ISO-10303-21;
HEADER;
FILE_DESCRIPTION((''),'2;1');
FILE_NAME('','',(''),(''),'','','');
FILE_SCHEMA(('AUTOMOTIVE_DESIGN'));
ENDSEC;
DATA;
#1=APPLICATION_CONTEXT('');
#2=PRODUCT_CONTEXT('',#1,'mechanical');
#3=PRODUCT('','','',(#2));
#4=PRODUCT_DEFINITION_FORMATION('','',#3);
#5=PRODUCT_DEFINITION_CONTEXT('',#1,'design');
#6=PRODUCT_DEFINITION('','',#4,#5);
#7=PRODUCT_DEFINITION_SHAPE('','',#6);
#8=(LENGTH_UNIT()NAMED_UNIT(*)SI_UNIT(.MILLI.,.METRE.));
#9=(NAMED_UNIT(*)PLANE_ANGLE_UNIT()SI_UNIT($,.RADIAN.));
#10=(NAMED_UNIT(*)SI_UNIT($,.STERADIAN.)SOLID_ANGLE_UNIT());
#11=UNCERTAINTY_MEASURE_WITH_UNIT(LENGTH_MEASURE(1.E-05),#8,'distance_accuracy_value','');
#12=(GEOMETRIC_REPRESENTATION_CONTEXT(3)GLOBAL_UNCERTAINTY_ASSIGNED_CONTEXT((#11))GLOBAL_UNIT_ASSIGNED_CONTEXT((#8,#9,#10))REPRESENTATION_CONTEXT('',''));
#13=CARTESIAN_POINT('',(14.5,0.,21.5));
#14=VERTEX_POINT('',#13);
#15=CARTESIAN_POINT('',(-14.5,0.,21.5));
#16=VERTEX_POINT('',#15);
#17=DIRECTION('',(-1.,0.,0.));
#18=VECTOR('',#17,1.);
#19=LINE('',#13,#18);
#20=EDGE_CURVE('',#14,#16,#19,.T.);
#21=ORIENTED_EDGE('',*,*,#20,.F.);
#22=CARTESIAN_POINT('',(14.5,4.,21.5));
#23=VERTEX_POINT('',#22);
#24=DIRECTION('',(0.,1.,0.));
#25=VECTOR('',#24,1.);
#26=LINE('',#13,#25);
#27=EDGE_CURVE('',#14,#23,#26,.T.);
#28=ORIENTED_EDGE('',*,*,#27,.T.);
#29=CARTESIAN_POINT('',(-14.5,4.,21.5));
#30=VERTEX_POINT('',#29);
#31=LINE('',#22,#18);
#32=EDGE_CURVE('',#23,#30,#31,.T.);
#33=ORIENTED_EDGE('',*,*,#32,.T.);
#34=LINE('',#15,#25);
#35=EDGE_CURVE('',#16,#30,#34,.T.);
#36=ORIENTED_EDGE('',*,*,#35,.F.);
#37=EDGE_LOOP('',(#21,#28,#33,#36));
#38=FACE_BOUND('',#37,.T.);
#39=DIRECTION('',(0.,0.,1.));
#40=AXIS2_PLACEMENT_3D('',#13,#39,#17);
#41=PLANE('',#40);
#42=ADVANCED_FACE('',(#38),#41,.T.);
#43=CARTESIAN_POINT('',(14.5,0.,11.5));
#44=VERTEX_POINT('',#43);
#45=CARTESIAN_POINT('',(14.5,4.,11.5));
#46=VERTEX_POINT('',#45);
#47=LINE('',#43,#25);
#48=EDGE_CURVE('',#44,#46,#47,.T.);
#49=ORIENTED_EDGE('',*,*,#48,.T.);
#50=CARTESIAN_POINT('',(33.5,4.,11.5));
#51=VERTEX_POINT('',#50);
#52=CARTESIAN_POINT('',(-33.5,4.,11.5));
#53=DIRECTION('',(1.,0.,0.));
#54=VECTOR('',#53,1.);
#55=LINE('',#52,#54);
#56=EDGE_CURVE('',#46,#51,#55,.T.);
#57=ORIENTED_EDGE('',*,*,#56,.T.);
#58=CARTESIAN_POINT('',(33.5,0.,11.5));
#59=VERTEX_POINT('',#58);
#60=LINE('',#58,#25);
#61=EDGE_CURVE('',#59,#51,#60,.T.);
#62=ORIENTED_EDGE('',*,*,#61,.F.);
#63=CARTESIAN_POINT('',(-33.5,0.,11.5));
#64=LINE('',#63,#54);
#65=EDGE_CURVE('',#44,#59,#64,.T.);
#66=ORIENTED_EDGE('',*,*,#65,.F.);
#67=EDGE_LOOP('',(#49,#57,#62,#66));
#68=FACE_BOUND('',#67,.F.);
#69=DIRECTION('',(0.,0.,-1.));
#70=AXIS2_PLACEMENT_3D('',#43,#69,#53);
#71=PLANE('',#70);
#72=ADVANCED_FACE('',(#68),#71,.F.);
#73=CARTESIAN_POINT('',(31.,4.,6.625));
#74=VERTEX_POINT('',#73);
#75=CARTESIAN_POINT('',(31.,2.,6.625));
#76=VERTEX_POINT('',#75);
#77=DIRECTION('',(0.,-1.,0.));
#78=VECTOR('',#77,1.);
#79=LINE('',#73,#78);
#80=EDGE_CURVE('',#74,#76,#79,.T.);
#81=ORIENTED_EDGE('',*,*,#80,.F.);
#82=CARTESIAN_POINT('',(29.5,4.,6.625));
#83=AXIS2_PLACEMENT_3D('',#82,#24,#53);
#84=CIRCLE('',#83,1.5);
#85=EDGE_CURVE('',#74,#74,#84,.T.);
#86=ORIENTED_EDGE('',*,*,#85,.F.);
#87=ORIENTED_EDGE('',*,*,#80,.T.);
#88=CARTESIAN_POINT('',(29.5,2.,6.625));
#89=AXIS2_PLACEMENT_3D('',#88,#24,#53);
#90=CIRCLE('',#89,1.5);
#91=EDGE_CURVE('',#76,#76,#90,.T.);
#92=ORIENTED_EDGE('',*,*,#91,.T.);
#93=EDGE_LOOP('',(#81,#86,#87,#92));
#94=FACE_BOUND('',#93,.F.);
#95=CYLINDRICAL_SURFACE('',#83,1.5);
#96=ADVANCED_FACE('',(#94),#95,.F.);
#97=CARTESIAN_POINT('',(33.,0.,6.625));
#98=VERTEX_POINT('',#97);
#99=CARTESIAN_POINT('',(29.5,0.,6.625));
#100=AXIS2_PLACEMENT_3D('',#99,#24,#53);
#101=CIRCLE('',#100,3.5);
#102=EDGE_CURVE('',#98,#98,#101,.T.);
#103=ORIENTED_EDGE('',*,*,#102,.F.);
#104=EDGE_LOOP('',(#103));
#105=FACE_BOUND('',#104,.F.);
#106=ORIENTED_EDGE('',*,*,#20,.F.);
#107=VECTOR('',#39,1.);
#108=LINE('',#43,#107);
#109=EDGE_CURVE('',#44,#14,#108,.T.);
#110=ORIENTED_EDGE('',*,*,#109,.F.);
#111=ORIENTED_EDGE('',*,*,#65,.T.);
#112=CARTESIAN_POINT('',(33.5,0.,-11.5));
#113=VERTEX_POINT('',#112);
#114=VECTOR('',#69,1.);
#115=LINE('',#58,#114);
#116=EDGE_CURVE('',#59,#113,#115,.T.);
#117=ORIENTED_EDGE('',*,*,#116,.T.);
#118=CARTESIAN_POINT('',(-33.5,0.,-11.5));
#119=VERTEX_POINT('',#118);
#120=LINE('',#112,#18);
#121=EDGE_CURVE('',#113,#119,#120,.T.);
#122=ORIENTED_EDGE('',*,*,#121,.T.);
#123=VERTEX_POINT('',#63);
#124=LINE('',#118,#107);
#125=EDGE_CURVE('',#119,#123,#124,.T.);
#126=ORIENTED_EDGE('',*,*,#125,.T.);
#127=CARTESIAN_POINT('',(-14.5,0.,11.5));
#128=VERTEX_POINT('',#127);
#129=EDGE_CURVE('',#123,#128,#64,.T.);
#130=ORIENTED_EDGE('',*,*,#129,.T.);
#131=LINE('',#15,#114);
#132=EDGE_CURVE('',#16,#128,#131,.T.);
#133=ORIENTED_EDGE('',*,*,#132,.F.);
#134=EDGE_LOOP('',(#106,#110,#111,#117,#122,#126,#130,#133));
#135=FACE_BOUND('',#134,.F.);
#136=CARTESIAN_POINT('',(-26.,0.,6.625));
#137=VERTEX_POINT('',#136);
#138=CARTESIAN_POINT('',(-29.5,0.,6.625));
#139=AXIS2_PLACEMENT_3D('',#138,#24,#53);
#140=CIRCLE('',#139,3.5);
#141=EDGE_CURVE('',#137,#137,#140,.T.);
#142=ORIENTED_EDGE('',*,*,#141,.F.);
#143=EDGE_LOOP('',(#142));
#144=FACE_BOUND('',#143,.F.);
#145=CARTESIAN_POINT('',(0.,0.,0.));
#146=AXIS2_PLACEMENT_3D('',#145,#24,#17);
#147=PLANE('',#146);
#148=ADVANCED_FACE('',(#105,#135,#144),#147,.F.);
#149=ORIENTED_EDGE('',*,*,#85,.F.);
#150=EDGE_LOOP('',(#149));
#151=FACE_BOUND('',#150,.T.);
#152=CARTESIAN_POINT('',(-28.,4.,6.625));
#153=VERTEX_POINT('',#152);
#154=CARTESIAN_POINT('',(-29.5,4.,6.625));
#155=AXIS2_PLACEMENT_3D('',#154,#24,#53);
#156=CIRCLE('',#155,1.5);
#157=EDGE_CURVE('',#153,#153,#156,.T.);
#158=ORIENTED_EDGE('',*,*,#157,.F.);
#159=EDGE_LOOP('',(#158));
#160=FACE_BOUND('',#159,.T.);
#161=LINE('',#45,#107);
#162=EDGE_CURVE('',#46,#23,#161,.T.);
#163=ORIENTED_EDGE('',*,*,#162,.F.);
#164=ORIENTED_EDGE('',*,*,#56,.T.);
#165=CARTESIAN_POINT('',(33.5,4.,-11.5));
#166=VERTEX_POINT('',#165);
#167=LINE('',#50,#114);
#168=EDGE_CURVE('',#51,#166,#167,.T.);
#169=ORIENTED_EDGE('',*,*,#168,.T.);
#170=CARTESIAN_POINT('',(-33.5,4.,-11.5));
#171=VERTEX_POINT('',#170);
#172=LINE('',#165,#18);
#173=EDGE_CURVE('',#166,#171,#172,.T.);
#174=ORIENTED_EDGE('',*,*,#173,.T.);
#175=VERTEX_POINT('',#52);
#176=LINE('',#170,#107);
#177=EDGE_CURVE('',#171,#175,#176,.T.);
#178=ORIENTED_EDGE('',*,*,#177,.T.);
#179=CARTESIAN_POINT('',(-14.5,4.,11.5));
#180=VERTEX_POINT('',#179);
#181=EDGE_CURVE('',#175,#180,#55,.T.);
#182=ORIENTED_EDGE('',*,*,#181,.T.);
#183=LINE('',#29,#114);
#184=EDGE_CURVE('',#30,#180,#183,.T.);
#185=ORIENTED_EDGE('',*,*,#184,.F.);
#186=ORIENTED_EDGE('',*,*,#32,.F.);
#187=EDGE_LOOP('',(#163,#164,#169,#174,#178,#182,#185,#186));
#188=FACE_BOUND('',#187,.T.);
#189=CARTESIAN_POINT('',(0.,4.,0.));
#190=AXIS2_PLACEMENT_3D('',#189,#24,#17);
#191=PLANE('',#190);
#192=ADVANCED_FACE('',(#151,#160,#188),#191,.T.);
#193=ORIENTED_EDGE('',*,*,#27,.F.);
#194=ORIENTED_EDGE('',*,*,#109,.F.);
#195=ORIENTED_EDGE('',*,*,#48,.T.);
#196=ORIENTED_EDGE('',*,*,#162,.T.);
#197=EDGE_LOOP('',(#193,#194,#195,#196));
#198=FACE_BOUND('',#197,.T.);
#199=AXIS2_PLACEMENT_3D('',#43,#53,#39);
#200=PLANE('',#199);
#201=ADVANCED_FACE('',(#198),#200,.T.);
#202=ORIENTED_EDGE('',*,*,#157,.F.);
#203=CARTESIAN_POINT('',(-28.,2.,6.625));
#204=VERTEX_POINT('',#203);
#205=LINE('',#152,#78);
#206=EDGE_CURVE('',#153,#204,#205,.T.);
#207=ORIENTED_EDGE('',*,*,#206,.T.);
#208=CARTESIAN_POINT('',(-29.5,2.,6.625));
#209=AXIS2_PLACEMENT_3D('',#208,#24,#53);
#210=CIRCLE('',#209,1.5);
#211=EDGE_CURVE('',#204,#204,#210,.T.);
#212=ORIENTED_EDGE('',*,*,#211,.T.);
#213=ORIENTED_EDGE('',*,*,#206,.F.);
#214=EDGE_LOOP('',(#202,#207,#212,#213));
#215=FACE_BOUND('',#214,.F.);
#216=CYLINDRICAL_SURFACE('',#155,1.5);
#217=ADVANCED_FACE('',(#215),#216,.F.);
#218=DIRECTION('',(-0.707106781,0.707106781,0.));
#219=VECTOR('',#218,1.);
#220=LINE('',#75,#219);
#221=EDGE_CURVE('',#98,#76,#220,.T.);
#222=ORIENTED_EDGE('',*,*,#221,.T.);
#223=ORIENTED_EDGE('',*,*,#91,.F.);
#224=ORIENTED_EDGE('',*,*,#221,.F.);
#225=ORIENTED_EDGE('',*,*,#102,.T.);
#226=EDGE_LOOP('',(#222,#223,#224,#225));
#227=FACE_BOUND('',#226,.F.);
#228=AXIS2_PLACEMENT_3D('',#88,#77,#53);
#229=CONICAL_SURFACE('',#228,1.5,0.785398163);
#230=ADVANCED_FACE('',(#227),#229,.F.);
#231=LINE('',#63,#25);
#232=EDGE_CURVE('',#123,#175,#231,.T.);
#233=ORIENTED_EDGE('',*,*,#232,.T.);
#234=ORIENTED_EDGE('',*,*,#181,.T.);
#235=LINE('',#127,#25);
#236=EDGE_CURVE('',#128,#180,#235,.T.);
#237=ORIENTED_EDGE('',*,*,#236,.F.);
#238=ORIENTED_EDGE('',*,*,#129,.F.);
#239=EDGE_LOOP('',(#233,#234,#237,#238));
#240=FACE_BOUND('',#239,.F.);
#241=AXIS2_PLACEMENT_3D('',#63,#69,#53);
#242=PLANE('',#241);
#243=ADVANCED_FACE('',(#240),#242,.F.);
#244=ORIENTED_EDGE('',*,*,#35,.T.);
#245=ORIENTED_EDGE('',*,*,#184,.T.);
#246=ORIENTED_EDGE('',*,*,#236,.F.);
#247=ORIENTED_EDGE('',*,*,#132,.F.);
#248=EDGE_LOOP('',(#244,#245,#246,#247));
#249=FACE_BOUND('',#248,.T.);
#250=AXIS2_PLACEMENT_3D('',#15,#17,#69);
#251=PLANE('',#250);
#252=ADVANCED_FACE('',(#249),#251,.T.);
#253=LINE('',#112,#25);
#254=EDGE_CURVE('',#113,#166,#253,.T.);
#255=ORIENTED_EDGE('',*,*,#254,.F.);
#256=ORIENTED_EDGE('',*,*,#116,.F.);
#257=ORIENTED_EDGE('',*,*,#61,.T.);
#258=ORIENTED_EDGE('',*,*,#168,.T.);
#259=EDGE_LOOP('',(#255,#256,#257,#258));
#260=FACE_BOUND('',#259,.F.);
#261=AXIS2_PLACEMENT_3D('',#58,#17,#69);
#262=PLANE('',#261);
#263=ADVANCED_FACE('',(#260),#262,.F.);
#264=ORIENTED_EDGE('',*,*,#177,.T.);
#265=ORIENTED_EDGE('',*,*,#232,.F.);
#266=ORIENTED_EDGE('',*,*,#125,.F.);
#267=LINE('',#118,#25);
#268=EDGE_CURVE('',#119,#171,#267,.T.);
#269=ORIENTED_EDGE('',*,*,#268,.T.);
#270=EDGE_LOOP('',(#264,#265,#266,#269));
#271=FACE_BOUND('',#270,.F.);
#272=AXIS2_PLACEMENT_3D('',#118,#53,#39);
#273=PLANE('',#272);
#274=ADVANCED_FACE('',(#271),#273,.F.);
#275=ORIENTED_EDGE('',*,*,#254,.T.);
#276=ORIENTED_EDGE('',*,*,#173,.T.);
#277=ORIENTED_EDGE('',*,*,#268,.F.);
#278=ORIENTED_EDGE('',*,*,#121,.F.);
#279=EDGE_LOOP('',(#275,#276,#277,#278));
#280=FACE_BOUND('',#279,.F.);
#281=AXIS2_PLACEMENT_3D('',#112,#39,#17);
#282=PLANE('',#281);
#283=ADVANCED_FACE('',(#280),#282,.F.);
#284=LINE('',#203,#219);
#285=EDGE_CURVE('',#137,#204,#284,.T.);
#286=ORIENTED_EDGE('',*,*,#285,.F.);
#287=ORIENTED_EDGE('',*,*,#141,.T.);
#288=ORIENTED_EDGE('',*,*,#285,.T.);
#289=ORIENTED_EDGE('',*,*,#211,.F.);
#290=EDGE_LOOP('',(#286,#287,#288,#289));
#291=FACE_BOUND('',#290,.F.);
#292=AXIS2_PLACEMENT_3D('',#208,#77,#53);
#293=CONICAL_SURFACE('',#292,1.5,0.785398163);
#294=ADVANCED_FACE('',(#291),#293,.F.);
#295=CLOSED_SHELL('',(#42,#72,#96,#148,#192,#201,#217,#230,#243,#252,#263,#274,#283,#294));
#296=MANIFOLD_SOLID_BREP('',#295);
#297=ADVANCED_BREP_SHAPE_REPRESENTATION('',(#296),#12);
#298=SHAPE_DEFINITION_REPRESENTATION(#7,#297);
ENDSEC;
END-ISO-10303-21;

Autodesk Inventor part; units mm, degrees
ref_plane "YZ Plane" through (0, 0, 0) normal (1, 0, 0) x (0, 1, 0)
ref_plane "XZ Plane" through (0, 0, 0) normal (0, 1, 0) x (-1, 0, 0)
ref_plane "XY Plane" through (0, 0, 0) normal (0, 0, 1) x (1, 0, 0)
sketch "Sketch1" plane through (0, 0, 0) normal (0, 1, 0) x (-1, 0, 0)
  line L0 (-33.5, -11.5) -> (33.5, -11.5)
  line L1 (33.5, -11.5) -> (33.5, 11.5)
  line L2 (33.5, 11.5) -> (-33.5, 11.5)
  line L3 (-33.5, 11.5) -> (-33.5, -11.5)
  line L4 (-33.5, -11.5) -> (33.5, 11.5) construction
  line L5 (33.5, -11.5) -> (-33.5, 11.5) construction
  line L6 (-14.5, 21.5) -> (14.5, 21.5)
  line L7 (14.5, 21.5) -> (14.5, 11.5)
  line L8 (14.5, 11.5) -> (-14.5, 11.5)
  line L9 (-14.5, 11.5) -> (-14.5, 21.5)
  line L10 (-14.5, 21.5) -> (14.5, 11.5) construction
  line L11 (14.5, 21.5) -> (-14.5, 11.5) construction
  point P0 (0, 0)
  point P1 (0, 16.5)
  point P2 (0, 0)
  point P3 (0, 16.5)
  point P4 (-14.5, 11.5)
  dimension "d0" = 67
  dimension "d1" = 23
  dimension "d2" = 29
  dimension "d3" = 10
extrude "Extrusion1" add sketch "Sketch1" along normal blind 4
sketch "Sketch2" plane through (0, 4, 0) normal (0, 1, 0) x (1, 0, 0)
  circle A0 centre (-29.5, -6.625) radius 1.5
  circle A1 centre (29.5, -6.625) radius 1.5
  line L0 (33.5, -11.5) -> (33.5, 11.5) projected
  line L1 (-33.5, 11.5) -> (-33.5, -11.5) projected
  line L2 (33.5, 11.5) -> (-33.5, 11.5) projected
  point P0 (0, 0)
  dimension "d6" = 4
  dimension "d7" = 4
  dimension "d8" = 18.125
  dimension "d9" = 18.125
  dimension "d10" = 3
extrude "Extrusion2" cut sketch "Sketch2" against normal through all
chamfer "Chamfer1" distance 2 angle 45 2 edges at (28, 0, 6.625) (-31, 0, 6.625)
equation "\"d7\" = d6"
equation "\"d9\" = d8"
properties part number "WeightFront" material "Lead"
